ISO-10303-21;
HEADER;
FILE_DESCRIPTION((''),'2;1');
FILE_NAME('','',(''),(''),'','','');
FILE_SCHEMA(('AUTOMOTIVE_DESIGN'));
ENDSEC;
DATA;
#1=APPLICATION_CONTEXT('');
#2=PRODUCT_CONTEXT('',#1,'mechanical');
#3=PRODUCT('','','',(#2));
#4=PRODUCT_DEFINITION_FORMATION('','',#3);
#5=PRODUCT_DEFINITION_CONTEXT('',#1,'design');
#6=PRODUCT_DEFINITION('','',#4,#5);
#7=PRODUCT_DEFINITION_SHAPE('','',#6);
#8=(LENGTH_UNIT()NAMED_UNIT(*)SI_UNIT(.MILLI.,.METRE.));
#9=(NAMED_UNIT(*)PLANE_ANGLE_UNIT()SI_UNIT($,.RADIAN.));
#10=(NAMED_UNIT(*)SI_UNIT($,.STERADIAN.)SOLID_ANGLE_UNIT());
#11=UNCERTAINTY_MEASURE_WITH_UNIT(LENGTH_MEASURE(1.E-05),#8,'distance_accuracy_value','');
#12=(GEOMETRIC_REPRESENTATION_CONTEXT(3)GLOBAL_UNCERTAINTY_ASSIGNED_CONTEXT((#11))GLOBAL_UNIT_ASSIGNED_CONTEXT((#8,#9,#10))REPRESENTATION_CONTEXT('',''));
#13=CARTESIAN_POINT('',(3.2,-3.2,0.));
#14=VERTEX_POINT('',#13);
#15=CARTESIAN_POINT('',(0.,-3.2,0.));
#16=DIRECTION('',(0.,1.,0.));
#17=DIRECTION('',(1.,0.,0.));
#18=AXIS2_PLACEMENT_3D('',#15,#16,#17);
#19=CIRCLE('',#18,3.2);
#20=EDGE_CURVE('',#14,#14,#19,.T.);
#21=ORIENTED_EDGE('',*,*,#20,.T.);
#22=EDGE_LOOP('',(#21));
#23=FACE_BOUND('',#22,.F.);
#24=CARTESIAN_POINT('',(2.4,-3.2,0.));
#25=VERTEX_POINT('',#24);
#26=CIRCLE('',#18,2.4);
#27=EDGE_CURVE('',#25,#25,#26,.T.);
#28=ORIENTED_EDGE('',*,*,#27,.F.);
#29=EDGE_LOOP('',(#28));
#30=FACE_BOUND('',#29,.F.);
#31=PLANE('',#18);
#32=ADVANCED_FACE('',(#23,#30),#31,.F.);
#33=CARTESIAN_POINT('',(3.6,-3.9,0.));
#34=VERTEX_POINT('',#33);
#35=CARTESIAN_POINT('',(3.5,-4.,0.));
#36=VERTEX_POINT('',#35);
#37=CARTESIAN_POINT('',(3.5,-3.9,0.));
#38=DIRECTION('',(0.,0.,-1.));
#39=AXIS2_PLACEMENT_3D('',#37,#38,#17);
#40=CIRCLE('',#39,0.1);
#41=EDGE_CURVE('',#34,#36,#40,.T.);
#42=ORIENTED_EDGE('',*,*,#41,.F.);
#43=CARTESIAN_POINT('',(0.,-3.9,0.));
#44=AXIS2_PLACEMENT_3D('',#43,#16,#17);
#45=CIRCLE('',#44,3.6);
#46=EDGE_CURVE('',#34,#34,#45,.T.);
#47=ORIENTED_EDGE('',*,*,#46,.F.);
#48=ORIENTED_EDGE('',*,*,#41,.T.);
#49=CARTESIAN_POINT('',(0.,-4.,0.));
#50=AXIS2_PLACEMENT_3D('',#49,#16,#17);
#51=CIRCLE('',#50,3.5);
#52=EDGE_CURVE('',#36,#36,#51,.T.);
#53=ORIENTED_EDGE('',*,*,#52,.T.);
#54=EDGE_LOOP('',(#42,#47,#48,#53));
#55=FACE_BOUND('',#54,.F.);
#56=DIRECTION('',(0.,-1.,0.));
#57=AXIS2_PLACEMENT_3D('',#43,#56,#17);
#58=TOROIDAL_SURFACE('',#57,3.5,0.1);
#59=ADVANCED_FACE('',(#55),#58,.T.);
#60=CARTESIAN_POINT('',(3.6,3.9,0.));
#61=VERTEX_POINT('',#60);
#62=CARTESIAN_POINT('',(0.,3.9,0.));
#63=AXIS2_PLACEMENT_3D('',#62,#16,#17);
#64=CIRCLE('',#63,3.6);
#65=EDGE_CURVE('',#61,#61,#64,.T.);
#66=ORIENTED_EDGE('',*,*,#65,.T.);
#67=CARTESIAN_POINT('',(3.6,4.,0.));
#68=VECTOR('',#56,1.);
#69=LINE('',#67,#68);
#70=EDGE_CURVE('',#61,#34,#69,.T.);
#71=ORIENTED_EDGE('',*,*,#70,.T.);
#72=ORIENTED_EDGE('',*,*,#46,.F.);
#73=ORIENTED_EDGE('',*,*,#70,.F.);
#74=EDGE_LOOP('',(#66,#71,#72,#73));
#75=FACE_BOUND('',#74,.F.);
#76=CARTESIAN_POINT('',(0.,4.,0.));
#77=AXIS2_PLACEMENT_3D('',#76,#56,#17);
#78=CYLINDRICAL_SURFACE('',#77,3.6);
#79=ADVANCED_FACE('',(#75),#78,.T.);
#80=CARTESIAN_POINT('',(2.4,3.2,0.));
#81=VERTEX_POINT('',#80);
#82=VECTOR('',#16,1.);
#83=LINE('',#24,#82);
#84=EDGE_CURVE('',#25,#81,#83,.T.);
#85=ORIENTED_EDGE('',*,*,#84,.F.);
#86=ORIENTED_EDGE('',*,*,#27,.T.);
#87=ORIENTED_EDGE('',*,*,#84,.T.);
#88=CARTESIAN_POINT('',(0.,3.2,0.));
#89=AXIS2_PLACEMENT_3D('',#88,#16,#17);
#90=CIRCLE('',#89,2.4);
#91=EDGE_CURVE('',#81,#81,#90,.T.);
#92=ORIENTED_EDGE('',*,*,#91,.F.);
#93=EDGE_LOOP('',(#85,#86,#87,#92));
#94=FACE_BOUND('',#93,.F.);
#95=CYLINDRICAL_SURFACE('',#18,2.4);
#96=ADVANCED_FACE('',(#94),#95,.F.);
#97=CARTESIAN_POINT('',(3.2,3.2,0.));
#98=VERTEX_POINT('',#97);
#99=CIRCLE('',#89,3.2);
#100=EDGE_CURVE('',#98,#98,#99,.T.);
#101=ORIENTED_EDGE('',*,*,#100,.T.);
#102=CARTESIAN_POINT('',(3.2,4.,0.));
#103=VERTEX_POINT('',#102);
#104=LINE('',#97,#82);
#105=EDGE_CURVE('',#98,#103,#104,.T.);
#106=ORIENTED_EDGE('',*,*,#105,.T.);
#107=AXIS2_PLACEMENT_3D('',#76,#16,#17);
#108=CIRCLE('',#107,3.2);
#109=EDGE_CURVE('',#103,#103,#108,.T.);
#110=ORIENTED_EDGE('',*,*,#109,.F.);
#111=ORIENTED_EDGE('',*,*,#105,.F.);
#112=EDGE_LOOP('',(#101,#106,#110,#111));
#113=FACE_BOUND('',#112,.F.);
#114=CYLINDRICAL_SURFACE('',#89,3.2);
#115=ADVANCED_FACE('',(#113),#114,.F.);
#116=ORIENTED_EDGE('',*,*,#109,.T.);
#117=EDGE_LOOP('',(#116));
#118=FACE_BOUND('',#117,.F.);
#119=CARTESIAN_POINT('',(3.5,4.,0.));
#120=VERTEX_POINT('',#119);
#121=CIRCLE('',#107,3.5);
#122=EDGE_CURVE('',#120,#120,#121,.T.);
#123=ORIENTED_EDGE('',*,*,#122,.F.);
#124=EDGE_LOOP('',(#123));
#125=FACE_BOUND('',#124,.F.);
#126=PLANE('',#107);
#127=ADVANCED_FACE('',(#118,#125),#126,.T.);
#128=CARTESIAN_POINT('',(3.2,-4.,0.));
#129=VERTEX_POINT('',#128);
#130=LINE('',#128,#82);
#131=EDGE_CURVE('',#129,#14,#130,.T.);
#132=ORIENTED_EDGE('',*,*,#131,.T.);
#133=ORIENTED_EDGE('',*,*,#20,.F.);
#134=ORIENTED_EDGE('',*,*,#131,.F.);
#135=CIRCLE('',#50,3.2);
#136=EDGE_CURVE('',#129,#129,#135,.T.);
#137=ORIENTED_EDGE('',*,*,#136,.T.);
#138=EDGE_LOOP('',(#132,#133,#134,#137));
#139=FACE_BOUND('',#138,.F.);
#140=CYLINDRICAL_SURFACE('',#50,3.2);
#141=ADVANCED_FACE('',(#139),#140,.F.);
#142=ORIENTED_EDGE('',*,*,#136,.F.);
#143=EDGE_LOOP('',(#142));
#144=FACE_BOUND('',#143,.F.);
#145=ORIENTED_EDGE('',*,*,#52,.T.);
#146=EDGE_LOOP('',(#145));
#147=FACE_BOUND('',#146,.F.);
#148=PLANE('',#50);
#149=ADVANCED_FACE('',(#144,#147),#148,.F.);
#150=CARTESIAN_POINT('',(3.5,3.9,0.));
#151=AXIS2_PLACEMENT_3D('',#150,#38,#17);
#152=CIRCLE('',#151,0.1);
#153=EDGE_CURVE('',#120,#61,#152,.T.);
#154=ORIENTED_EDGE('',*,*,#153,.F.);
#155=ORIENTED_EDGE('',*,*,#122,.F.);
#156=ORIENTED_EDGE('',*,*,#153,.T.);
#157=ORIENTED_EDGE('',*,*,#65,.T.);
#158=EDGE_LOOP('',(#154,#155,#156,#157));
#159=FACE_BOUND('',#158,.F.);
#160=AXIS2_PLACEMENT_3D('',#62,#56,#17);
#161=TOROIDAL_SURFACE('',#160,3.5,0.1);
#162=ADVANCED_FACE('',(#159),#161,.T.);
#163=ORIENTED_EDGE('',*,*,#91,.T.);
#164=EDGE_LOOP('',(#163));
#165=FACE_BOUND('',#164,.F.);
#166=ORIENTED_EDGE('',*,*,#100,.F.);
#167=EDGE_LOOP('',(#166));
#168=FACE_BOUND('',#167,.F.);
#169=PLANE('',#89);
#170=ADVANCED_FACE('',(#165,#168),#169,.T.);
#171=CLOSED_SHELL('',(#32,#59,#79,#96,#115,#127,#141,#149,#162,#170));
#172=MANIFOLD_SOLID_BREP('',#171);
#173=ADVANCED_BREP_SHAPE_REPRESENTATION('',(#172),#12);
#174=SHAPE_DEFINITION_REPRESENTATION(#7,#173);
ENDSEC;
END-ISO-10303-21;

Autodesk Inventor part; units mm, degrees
ref_plane "YZ Plane" through (0, 0, 0) normal (1, 0, 0) x (0, 1, 0)
ref_plane "XZ Plane" through (0, 0, 0) normal (0, 1, 0) x (-1, 0, 0)
ref_plane "XY Plane" through (0, 0, 0) normal (0, 0, 1) x (1, 0, 0)
sketch "Sketch1" plane through (0, 0, 0) normal (0, 0, 1) x (1, 0, 0)
  line L0 (0, -5.6) -> (0, 5.6) projected
  line L1 (2.4, -3.2) -> (2.4, 3.2)
  line L2 (2.4, 3.2) -> (3.2, 3.2)
  line L3 (3.2, 3.2) -> (3.2, 4)
  line L4 (3.2, 4) -> (3.6, 4)
  line L5 (3.6, 4) -> (3.6, -4)
  line L6 (3.6, -4) -> (3.2, -4)
  line L7 (3.2, -4) -> (3.2, -3.2)
  line L8 (3.2, -3.2) -> (2.4, -3.2)
  point P0 (0, 0)
  point P1 (2.4, 0)
  dimension "d0" = 4.8
  dimension "d1" = 8
  dimension "d2" = 6.4
  dimension "d3" = 0.8
  dimension "d4" = 7.2
revolve "Revolution1" add sketch "Sketch1" angle 360 about axis through (0, -10, 0) along (0, 1, 0)
fillet "Fillet1" radius 0.1 2 edges at (-3.6, 4, 0) (-3.6, -4, 0)
equation "\"d0\" = tpd"
equation "\"d1\" = lu"
equation "\"d2\" = tsd"
equation "\"d3\" = tsl"
equation "\"d4\" = tlad"
equation "\"tpd\" = 4.8"
equation "\"lu\" = 8"
equation "\"tsd\" = 6.4"
equation "\"tsl\" = 0.8"
equation "\"tlad\" = 7.2"
properties part number "18654-Red" material "ABS Plastic"
